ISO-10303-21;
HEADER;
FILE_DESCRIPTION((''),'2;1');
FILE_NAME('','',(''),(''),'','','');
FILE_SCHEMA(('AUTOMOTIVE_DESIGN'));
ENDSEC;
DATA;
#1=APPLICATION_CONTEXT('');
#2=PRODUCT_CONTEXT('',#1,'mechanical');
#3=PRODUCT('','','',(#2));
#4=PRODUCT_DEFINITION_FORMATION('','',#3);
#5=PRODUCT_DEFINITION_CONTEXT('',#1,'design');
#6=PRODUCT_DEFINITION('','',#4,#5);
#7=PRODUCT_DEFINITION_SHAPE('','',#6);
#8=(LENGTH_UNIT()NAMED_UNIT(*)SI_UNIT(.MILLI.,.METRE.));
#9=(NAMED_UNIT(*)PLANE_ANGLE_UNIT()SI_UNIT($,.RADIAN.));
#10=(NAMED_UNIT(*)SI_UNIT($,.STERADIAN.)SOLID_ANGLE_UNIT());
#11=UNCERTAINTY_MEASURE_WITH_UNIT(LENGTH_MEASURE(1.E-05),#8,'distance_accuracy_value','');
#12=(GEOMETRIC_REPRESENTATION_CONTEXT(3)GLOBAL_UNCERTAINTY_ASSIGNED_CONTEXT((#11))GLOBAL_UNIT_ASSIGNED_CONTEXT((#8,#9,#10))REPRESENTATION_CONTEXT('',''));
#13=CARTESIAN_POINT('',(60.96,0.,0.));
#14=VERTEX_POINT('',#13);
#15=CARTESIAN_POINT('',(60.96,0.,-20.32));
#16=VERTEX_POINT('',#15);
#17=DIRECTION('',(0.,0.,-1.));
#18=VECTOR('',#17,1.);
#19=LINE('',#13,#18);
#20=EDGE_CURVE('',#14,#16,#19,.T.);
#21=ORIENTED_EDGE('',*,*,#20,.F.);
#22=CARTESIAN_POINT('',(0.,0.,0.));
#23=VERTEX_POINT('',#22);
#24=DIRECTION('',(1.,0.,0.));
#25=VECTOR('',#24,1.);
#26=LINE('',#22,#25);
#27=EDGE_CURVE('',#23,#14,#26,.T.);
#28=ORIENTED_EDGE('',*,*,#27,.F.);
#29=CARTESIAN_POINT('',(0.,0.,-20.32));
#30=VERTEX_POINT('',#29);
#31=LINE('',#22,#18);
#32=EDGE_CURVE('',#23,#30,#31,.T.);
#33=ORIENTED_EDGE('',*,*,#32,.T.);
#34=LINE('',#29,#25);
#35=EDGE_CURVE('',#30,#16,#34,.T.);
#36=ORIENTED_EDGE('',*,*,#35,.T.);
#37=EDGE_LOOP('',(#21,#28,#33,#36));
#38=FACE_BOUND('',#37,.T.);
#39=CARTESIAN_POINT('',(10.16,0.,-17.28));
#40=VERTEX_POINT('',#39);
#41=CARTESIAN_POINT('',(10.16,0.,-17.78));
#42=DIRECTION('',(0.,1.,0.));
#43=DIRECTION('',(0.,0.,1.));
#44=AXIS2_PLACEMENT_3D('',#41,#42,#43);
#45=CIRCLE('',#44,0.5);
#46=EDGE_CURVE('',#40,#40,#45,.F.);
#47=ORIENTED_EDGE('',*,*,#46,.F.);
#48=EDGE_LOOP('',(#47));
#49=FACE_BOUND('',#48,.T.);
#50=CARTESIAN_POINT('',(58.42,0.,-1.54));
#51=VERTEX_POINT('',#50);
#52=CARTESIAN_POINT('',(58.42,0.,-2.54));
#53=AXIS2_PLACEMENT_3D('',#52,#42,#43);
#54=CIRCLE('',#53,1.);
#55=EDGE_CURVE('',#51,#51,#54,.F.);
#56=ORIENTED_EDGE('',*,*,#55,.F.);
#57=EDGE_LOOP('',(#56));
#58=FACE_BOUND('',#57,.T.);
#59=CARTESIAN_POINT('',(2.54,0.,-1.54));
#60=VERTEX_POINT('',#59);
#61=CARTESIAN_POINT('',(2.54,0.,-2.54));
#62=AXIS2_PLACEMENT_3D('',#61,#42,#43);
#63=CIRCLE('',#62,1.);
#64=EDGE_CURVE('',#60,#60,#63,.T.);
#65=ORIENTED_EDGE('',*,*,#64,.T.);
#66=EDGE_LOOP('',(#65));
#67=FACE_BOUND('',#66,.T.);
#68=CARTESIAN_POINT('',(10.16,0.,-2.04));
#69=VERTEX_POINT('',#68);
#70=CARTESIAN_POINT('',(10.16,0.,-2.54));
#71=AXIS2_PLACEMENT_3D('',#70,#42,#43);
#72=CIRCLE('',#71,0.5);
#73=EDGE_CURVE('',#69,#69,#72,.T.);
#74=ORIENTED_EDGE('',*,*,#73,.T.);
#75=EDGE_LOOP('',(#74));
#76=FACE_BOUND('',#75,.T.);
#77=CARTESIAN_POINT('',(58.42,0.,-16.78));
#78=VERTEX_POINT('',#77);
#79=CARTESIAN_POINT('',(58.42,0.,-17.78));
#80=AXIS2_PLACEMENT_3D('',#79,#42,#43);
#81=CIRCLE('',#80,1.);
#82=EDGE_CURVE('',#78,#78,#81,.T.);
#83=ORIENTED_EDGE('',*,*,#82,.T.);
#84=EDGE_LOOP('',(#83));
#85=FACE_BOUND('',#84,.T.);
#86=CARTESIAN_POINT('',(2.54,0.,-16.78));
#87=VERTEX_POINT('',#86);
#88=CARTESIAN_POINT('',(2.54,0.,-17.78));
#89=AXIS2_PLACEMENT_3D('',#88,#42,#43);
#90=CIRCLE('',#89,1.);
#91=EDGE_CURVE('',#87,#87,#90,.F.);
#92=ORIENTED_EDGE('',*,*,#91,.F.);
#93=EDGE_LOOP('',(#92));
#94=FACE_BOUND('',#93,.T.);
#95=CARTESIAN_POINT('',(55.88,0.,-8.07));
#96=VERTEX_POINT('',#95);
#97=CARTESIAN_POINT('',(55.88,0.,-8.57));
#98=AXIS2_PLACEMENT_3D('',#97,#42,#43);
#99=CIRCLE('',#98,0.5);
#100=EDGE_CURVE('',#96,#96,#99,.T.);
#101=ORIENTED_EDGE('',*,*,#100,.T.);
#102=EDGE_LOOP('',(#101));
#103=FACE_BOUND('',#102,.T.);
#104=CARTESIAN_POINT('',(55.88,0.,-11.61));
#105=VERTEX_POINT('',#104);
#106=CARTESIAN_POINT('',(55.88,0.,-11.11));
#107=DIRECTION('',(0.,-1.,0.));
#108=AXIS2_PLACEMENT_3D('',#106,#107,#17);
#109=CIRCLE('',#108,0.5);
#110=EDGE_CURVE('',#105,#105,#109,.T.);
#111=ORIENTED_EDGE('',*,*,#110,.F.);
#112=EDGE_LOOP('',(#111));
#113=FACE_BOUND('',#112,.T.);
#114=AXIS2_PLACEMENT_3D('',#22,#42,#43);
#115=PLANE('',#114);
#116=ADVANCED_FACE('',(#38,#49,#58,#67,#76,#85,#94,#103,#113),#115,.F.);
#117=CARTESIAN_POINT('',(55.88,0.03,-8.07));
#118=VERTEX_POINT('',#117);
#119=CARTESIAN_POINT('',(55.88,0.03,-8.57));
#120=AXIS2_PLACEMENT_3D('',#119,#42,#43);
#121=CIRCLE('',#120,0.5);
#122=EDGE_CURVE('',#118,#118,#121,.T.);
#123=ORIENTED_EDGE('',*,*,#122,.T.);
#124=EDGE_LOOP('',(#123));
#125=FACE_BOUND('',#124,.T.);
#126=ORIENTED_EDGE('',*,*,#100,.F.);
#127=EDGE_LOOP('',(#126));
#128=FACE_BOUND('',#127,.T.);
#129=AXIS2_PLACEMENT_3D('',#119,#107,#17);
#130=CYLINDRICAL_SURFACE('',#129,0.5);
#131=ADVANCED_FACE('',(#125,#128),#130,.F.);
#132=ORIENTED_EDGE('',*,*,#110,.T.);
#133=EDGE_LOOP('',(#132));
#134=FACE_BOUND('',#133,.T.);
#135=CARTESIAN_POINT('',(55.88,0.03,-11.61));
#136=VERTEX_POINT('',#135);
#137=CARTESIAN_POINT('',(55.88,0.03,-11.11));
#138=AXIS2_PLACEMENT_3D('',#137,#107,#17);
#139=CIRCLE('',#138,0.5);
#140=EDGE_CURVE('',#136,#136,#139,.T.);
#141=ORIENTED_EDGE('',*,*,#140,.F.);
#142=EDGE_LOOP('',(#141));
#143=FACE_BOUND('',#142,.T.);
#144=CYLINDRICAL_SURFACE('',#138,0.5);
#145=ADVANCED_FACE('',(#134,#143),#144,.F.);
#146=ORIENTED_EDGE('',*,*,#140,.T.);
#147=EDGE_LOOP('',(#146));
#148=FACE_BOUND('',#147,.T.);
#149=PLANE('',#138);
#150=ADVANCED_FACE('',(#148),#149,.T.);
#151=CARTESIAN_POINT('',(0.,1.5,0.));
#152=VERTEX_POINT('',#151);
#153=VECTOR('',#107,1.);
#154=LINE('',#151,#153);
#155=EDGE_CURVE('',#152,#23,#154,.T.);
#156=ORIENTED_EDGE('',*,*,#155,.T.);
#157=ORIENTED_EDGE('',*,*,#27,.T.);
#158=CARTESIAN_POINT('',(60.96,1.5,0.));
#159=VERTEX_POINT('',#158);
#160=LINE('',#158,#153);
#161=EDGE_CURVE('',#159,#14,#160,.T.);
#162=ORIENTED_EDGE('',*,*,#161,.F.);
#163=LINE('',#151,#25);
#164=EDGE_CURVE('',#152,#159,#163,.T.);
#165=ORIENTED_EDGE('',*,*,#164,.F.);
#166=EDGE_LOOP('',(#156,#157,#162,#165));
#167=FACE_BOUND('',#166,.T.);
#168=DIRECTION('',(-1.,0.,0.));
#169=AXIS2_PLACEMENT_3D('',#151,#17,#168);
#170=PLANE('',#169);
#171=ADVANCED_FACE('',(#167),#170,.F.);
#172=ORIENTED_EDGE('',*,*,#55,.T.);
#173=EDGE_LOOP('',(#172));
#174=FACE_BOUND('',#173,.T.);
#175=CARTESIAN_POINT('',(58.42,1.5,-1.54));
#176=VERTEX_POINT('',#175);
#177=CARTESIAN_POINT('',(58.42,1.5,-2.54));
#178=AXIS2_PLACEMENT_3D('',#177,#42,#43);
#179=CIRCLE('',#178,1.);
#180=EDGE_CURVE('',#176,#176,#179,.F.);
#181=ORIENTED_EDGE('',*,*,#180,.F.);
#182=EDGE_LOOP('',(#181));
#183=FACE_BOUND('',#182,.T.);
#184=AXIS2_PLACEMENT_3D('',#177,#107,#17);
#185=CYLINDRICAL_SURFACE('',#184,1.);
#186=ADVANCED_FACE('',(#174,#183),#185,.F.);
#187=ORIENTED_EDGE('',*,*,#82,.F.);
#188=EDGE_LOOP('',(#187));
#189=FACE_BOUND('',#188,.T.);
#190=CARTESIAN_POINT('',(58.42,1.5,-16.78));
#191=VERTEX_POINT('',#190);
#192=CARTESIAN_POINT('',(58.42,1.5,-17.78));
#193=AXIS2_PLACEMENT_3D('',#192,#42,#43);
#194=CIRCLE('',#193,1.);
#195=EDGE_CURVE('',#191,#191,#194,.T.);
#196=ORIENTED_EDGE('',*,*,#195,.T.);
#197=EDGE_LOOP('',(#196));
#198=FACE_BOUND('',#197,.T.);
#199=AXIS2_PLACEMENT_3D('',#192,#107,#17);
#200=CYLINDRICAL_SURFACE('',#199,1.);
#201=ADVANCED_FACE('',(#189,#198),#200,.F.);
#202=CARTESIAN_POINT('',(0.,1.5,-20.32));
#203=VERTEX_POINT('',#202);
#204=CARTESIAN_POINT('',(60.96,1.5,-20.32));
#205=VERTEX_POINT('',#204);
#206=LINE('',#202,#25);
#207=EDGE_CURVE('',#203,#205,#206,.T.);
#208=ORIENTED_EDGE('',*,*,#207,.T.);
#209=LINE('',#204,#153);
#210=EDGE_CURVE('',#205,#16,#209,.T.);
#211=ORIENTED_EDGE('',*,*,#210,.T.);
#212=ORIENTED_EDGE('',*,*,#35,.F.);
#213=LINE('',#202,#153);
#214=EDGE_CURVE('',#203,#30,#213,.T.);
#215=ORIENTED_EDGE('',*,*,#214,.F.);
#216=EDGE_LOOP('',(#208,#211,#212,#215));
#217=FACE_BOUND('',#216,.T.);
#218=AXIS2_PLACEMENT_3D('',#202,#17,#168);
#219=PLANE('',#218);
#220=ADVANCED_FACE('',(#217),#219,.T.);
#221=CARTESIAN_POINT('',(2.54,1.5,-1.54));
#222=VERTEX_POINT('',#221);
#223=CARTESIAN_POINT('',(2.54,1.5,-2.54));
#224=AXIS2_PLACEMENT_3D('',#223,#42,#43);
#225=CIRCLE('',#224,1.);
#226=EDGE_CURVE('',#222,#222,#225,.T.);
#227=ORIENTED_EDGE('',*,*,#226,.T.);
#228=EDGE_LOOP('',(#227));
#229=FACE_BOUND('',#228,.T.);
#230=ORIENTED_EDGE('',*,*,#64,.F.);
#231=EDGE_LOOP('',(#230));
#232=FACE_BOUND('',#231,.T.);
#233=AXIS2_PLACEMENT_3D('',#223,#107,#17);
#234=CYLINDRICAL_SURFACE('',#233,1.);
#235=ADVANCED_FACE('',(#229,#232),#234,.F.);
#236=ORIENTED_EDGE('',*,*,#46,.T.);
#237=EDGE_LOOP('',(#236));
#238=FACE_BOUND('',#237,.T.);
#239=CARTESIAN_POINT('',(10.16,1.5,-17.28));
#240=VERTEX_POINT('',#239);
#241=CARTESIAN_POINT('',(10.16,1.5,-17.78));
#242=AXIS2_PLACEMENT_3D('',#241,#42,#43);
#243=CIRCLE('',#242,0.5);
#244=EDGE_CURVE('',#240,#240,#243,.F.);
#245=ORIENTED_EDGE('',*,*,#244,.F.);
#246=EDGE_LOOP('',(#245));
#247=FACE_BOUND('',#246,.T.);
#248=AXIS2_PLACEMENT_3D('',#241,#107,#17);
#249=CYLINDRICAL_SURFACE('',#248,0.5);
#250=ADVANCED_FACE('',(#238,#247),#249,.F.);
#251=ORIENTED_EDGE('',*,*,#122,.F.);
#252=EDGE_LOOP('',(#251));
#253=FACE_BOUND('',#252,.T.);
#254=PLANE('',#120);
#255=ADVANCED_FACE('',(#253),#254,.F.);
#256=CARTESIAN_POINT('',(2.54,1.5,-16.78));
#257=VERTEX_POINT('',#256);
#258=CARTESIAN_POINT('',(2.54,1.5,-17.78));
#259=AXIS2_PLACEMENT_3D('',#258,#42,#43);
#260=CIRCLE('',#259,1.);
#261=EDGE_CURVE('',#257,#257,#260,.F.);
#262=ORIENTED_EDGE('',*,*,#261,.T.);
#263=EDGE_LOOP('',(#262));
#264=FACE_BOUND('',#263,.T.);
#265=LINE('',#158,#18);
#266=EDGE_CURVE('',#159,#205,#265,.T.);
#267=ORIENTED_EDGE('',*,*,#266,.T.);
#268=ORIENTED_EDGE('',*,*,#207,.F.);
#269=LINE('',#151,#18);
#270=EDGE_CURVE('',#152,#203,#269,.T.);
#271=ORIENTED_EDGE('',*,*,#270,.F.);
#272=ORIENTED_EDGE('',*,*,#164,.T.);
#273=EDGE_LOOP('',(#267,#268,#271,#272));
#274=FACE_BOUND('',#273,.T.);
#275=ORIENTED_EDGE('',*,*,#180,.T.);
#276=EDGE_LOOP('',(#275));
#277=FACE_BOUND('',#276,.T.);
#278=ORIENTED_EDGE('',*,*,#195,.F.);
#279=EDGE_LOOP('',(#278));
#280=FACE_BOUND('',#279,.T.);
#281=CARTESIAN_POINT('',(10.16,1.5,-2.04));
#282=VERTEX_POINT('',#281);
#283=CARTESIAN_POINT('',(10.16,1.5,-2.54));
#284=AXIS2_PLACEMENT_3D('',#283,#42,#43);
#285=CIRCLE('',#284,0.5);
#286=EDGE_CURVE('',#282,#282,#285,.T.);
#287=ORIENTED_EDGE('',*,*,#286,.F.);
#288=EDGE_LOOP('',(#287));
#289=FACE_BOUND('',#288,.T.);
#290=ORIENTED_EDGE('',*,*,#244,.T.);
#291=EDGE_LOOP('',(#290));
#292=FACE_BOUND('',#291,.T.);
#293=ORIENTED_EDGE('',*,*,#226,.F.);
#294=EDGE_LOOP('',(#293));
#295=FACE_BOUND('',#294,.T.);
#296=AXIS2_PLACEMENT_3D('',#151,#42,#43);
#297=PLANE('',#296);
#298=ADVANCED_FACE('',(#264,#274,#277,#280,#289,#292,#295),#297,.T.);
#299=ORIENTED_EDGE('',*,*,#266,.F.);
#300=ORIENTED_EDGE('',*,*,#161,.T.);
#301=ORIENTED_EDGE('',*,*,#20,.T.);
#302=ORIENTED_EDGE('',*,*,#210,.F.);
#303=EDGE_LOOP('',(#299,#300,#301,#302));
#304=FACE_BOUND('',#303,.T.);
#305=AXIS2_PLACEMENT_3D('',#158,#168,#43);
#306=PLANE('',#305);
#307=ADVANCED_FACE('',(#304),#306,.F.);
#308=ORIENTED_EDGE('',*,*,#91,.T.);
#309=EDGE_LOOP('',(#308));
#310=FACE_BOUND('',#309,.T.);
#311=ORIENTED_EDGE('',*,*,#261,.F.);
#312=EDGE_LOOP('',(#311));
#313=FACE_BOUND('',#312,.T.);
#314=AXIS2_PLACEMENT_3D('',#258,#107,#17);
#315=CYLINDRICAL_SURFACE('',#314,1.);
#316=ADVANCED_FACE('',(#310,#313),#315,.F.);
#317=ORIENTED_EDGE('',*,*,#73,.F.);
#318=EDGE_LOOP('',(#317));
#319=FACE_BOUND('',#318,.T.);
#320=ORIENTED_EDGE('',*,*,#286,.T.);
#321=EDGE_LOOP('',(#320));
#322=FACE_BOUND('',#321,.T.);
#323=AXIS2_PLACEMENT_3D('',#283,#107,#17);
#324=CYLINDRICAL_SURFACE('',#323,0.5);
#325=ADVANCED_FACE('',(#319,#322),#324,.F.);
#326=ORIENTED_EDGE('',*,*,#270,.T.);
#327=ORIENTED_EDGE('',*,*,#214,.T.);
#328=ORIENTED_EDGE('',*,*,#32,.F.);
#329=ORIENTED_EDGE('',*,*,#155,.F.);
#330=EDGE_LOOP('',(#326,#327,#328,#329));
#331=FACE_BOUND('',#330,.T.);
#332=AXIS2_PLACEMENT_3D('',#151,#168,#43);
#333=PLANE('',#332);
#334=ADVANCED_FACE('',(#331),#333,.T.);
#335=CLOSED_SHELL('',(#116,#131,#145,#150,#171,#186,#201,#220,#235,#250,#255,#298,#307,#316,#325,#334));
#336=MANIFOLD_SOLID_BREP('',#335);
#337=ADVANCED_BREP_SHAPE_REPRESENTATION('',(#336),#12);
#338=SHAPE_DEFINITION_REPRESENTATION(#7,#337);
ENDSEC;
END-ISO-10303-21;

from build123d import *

# Parameters (mm, degrees)
SKETCH1_W           = 60.96
SKETCH1_H           = 20.32
SKETCH1_R           = 1
SKETCH1_R_2         = 0.5
BOSS_EXTRUDE1_DEPTH = 1.5
SKETCH1_3_R         = 0.5
CUT_EXTRUDE3_DEPTH  = 0.03


with BuildPart() as part:
    # Sketch1 → Boss-Extrude1 (new body)
    with BuildSketch(Plane(origin=(0, 0, 0), x_dir=(1, 0, 0), z_dir=(0, 1, 0))):
        with Locations((30.48, 10.16)):
            Rectangle(SKETCH1_W, SKETCH1_H)
        with Locations(Location((2.54, 2.54, 0), (0, 0, 270))):  # turned: the seam where the file's is
            Circle(SKETCH1_R, mode=Mode.SUBTRACT)
        with Locations(Location((58.42, 2.54, 0), (0, 0, 270))):  # turned: the seam where the file's is
            Circle(SKETCH1_R, mode=Mode.SUBTRACT)
        with Locations(Location((58.42, 17.78, 0), (0, 0, 270))):  # turned: the seam where the file's is
            Circle(SKETCH1_R, mode=Mode.SUBTRACT)
        with Locations(Location((2.54, 17.78, 0), (0, 0, 270))):  # turned: the seam where the file's is
            Circle(SKETCH1_R, mode=Mode.SUBTRACT)
        with Locations(Location((10.16, 2.54, 0), (0, 0, 270))):  # turned: the seam where the file's is
            Circle(SKETCH1_R_2, mode=Mode.SUBTRACT)
        with Locations(Location((10.16, 17.78, 0), (0, 0, 270))):  # turned: the seam where the file's is
            Circle(SKETCH1_R_2, mode=Mode.SUBTRACT)
    extrude(amount=BOSS_EXTRUDE1_DEPTH)

    # Sketch1_3 → Cut-Extrude3 (cut)
    with BuildSketch(Plane(origin=(0, 0, 0), x_dir=(1, 0, 0), z_dir=(0, 1, 0))):
        with Locations(Location((55.88, 8.57, 0), (0, 0, 270))):  # turned: the seam where the file's is
            Circle(SKETCH1_3_R)
        with Locations(Location((55.88, 11.11, 0), (0, 0, 90))):  # turned: the seam where the file's is
            Circle(SKETCH1_3_R)
    extrude(amount=CUT_EXTRUDE3_DEPTH, mode=Mode.SUBTRACT)


solid = part.part
